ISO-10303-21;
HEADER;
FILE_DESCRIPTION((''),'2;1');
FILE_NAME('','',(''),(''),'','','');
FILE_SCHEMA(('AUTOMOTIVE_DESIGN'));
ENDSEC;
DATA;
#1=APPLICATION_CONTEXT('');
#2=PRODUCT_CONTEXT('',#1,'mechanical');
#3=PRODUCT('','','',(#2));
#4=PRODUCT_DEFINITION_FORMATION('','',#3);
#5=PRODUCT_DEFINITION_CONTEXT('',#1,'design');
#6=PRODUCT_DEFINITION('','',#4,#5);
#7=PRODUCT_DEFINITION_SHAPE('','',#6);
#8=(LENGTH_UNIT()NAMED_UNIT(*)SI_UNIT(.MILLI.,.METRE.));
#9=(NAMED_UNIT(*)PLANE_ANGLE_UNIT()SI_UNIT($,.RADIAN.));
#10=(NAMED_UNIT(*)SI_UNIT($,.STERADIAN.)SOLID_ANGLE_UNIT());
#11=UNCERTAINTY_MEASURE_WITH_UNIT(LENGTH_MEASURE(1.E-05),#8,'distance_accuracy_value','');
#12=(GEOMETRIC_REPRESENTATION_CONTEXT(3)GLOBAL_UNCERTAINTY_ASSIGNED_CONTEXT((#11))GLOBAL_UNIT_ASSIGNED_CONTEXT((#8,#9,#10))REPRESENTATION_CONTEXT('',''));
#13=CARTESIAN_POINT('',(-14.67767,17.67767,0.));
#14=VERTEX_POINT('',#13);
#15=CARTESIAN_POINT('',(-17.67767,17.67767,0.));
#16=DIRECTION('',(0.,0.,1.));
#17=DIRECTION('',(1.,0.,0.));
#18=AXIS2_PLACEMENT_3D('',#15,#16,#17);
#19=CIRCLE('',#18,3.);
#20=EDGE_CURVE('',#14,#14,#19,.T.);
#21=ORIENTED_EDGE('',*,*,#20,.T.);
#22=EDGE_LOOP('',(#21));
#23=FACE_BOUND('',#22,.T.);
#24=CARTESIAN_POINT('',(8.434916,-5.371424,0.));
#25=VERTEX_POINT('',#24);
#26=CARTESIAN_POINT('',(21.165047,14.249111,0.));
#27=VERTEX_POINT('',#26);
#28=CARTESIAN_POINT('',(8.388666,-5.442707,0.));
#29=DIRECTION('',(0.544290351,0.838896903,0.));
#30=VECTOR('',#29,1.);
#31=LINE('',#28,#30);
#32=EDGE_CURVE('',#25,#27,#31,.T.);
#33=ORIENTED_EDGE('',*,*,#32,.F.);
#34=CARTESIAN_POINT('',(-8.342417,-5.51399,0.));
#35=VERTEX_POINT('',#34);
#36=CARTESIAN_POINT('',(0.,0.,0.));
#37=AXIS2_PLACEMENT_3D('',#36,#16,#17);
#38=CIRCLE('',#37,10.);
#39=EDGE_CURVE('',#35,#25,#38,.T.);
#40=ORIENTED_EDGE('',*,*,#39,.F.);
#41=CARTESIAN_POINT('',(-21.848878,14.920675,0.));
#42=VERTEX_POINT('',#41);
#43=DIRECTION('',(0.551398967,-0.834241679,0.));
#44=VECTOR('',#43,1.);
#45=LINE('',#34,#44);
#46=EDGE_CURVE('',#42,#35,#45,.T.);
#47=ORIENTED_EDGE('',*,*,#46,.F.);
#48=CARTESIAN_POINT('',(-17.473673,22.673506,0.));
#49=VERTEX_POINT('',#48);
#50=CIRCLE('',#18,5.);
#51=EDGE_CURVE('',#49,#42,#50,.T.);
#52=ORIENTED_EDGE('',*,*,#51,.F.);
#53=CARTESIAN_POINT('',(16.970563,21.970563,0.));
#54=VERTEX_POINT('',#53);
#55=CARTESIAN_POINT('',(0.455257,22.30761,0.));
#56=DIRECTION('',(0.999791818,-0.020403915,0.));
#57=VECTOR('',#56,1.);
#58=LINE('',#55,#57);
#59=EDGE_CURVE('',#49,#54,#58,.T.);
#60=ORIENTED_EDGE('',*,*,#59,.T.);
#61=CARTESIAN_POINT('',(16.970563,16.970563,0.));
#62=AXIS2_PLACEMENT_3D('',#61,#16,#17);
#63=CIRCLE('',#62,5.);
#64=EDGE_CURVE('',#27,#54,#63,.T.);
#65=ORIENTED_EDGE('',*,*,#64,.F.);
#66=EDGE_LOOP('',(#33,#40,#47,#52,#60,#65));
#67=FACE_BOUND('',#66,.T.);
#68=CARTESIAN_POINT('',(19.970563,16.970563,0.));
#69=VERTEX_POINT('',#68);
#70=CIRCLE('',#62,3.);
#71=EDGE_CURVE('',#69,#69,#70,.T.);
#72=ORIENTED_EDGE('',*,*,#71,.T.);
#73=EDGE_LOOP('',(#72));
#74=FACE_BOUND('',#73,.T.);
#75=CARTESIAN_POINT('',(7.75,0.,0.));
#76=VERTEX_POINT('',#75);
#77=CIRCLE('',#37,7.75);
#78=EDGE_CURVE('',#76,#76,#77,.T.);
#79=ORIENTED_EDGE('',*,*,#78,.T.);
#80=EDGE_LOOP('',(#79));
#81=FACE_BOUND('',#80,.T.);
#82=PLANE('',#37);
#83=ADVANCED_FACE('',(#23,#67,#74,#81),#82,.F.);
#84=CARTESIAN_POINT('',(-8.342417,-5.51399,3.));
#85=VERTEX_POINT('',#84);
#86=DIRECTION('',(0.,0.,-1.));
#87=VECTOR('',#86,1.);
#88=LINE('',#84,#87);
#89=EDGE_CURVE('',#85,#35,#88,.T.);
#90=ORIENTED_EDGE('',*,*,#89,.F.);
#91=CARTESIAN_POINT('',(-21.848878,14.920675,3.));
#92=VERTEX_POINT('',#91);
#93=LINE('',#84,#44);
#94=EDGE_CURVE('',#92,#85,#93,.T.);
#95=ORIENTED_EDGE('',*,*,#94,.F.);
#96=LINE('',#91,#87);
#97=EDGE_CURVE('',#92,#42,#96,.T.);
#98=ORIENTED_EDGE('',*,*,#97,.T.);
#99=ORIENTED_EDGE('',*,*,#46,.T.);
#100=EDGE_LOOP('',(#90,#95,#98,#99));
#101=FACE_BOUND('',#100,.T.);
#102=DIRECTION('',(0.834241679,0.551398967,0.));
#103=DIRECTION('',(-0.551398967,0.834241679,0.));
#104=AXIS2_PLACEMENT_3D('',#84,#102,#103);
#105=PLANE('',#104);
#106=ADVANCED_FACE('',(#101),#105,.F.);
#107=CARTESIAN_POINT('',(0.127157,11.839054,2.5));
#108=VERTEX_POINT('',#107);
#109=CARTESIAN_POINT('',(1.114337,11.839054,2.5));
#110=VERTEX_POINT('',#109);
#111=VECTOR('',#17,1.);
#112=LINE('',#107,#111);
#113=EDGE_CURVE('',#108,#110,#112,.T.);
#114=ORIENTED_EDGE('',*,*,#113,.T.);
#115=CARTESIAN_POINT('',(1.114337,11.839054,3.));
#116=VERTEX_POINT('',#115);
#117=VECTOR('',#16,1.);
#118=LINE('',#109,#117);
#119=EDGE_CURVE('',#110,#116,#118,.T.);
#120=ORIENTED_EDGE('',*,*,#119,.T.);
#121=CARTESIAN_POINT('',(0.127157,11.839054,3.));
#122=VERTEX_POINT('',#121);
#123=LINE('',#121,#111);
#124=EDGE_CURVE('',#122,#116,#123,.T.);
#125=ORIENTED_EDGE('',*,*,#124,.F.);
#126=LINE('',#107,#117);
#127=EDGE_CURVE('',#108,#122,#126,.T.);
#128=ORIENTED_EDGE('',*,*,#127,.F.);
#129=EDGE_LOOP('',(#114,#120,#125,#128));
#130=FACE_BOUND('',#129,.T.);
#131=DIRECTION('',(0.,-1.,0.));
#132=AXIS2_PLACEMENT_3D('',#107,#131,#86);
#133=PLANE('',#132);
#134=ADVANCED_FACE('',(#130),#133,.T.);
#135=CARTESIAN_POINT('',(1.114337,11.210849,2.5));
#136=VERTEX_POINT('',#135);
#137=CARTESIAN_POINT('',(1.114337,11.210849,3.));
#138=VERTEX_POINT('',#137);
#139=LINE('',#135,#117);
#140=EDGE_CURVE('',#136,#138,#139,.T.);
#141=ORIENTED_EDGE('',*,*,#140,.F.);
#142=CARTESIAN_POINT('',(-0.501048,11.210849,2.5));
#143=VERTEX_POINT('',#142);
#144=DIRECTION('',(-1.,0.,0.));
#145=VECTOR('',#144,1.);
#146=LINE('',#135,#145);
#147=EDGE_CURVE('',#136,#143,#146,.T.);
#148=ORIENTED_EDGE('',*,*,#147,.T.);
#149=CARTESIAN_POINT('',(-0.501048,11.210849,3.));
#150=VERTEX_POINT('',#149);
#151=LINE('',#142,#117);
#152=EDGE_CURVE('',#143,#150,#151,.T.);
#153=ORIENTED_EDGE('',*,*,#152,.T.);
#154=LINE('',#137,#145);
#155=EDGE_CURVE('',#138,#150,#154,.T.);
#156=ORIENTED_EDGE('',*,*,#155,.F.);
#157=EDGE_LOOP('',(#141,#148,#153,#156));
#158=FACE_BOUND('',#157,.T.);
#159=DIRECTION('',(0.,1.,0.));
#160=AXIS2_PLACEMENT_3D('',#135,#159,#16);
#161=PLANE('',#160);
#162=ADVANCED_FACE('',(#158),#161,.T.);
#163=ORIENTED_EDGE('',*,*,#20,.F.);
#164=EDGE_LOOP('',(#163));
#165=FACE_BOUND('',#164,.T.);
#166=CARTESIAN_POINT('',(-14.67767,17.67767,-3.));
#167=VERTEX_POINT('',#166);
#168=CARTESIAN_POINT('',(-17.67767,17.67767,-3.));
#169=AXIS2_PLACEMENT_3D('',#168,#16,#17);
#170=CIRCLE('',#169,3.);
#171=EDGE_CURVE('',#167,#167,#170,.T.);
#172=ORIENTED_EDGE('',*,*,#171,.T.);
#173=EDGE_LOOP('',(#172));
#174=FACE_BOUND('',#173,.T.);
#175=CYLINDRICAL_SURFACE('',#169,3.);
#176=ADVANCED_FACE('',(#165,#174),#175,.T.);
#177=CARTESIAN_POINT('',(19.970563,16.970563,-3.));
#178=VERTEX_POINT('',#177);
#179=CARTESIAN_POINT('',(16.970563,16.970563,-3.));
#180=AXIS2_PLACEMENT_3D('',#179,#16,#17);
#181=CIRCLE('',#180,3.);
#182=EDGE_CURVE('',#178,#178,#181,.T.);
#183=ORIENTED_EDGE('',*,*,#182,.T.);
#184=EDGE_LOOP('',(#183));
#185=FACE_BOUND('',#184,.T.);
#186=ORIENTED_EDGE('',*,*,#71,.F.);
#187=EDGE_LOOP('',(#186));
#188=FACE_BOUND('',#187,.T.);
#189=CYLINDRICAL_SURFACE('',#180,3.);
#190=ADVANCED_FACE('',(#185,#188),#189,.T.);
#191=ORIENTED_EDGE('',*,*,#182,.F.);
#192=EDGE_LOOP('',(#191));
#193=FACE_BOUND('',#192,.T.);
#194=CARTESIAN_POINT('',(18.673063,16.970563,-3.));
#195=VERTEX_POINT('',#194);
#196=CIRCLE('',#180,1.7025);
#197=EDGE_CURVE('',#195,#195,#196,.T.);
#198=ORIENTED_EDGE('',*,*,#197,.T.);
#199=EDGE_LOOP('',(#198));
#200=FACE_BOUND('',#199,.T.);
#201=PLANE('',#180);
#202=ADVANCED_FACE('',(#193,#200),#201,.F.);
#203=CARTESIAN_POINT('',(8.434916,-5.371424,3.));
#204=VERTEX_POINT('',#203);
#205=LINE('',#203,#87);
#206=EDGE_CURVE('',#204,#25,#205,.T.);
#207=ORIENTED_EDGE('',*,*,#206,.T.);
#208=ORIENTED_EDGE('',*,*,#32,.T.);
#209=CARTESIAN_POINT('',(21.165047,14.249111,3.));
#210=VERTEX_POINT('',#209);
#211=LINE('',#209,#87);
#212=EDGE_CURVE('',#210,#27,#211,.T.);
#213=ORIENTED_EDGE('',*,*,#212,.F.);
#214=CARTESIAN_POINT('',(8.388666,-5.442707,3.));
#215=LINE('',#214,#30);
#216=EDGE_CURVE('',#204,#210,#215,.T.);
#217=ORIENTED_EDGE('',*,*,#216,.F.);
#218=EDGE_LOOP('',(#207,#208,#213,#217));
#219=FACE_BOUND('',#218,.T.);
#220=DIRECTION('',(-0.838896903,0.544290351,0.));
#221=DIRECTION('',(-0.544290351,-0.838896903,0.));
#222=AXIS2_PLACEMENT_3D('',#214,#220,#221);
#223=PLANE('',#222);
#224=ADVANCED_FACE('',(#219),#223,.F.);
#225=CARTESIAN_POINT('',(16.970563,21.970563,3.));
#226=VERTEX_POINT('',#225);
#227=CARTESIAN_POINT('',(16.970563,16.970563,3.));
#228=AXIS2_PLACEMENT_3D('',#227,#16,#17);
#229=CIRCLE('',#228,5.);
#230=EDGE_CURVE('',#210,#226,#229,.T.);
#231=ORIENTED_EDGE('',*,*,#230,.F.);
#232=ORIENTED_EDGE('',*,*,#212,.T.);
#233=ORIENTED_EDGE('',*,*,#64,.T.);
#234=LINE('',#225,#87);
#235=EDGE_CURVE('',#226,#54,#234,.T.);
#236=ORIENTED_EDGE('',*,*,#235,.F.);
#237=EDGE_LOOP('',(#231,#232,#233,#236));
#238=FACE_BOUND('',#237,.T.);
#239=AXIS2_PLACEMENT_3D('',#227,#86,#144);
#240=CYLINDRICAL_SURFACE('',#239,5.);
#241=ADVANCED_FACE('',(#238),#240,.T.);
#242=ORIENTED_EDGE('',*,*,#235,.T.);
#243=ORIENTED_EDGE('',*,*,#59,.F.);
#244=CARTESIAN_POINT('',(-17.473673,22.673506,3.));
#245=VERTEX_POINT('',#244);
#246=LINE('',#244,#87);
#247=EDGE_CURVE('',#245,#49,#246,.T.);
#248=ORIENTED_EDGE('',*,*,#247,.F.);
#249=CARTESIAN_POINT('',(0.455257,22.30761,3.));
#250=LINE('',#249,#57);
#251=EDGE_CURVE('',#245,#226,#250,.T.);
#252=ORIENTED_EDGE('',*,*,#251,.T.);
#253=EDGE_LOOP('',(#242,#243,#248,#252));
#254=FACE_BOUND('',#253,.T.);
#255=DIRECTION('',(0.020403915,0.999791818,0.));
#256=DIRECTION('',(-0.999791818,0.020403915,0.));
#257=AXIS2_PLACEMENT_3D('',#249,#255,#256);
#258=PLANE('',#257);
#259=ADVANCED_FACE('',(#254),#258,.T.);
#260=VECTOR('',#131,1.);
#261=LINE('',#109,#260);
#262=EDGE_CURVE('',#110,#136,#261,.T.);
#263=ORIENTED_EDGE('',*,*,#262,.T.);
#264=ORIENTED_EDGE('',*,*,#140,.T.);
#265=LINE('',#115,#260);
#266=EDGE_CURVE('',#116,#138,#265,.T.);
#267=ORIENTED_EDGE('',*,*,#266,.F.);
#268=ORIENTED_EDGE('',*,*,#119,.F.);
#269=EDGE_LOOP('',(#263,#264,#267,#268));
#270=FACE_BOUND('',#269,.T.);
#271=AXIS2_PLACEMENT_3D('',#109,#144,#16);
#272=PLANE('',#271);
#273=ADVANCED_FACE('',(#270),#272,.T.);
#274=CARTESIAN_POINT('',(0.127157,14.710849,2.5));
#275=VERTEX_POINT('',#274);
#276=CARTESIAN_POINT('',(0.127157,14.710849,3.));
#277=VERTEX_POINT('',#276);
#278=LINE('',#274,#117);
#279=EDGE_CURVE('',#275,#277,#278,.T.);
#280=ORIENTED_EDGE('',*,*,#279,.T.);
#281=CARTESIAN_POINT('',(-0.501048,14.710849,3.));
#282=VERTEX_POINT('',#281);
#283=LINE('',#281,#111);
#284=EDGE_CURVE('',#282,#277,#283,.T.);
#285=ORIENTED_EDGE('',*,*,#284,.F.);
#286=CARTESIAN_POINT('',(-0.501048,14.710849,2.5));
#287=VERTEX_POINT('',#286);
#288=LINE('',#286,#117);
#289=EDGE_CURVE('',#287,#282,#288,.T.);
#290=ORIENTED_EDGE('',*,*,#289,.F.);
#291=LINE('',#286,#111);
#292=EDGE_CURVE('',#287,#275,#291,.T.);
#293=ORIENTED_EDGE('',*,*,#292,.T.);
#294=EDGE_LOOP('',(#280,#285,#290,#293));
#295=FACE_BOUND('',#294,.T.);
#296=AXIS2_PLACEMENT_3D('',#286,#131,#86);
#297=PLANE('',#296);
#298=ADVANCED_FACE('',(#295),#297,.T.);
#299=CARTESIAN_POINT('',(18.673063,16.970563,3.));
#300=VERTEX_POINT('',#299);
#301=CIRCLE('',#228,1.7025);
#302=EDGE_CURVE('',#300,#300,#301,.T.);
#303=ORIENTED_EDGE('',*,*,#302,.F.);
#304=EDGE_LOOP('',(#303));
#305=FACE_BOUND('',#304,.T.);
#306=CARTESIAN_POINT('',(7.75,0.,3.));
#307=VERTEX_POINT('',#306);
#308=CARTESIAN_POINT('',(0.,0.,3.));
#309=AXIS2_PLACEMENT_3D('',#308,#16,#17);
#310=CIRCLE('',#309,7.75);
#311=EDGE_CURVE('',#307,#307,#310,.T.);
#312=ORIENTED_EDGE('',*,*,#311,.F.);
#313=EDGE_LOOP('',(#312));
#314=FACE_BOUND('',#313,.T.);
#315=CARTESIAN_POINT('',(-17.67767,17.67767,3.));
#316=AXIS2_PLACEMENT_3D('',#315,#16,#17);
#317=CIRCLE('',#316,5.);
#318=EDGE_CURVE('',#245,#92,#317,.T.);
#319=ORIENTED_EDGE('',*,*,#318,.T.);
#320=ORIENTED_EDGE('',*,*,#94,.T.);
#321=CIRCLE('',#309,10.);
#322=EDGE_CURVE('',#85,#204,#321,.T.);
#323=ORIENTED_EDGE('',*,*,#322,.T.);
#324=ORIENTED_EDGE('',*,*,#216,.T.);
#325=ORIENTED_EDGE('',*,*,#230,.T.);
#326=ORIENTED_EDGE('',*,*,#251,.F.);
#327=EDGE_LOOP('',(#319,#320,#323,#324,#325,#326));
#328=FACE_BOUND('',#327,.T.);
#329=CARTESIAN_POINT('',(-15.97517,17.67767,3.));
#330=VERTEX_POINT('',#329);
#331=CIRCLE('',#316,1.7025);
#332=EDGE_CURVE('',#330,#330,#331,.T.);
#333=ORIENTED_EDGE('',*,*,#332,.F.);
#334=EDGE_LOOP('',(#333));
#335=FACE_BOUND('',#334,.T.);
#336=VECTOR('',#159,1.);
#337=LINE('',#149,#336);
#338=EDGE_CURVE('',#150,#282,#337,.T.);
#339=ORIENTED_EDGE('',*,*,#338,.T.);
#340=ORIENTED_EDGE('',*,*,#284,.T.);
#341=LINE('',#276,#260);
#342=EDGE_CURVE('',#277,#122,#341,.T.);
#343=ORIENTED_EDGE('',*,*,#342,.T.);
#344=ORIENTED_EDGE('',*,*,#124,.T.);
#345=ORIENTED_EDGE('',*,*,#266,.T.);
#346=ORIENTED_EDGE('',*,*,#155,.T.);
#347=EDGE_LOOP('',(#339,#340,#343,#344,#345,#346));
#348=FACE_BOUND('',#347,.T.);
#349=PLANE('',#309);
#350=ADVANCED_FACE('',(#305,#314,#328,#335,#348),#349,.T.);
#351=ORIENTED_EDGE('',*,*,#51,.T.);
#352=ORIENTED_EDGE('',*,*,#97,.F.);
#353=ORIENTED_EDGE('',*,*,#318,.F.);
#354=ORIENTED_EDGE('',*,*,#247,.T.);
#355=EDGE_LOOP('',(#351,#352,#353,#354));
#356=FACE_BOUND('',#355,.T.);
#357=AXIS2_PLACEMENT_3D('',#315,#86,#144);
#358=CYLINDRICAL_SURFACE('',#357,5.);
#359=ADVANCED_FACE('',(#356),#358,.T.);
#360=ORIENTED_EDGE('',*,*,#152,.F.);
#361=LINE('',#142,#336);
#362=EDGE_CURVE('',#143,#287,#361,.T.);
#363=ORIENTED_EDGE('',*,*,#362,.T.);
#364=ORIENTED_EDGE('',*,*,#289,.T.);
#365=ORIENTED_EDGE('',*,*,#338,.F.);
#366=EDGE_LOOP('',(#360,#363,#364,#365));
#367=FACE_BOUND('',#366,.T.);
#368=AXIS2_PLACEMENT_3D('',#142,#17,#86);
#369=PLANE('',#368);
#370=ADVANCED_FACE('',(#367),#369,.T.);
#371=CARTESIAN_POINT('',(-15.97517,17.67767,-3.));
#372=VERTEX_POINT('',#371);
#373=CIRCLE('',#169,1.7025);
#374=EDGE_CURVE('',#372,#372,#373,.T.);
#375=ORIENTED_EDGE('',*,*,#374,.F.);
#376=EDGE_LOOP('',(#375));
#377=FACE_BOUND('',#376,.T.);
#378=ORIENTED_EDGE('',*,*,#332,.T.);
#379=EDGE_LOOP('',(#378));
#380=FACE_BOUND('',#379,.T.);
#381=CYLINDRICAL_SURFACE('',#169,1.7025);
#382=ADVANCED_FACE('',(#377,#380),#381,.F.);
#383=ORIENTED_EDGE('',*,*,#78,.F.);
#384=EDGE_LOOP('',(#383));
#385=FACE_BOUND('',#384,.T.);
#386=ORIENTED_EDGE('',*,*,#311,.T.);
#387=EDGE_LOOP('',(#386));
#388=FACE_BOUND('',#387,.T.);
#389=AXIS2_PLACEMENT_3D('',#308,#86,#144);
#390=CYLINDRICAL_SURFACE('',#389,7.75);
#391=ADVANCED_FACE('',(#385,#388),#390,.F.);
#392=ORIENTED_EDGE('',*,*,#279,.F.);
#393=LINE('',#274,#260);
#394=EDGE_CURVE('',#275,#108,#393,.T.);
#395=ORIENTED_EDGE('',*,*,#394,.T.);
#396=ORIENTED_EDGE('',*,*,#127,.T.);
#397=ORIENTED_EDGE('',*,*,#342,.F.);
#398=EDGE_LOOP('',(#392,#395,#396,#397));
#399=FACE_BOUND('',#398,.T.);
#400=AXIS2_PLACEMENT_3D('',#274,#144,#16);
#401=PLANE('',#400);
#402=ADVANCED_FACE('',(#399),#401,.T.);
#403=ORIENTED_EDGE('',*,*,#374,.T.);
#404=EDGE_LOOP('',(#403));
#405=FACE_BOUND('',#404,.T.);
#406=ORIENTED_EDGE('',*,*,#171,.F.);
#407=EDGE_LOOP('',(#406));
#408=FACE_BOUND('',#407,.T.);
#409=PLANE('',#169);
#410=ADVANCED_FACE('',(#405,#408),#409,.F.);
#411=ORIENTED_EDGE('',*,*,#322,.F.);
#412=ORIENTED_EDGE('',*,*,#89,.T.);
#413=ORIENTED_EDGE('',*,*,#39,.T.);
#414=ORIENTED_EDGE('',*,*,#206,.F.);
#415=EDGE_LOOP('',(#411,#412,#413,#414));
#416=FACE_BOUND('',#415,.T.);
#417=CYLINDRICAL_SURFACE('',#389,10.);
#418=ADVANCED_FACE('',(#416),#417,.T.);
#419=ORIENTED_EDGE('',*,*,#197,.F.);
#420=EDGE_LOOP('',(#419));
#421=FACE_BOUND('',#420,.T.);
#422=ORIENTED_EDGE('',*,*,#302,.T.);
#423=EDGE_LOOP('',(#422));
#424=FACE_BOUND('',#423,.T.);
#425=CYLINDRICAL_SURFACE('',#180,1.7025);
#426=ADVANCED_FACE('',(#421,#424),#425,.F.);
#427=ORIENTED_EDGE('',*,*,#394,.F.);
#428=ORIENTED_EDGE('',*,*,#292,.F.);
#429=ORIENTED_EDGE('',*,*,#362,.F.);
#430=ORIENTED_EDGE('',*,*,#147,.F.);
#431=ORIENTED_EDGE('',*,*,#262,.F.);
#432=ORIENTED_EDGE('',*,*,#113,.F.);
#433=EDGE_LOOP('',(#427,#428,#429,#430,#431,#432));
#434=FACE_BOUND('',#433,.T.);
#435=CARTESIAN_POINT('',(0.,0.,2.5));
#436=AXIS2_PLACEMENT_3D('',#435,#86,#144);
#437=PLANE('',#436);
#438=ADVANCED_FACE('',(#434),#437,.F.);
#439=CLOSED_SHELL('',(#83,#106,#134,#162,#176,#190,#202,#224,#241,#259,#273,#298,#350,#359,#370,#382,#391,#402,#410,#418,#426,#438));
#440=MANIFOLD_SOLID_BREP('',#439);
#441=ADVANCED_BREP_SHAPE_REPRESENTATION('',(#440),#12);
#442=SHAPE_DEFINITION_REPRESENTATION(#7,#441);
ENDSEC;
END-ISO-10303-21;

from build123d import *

# Parameters (mm, degrees)
SKETCH1_R           = 7.75
SKETCH1_R_2         = 3
BOSS_EXTRUDE3_DEPTH = 3
BOSS_EXTRUDE4_START = -6
SKETCH3_R           = 3
SKETCH3_R_2         = 1.7025
BOSS_EXTRUDE4_DEPTH = 6
CUT_EXTRUDE1_DEPTH  = 0.5


with BuildPart() as part:
    # Sketch1 → Boss-Extrude3 (new body)
    with BuildSketch(Plane.XY):
        with BuildLine():
            Line((8.434915556, -5.371424351), (21.165047264, 14.249110995))
            ThreePointArc((21.165047264, 14.249110995), (21.364152327, 19.357269814), (16.970562748, 21.970562748))
            Line((16.970562748, 21.970562748), (-17.47367286, 22.673506332))
            ThreePointArc((-17.47367286, 22.673506332), (-22.032126076, 20.135047844), (-21.848877926, 14.920674696))
            Line((-21.848877926, 14.920674696), (-8.342416793, -5.513989668))
            ThreePointArc((-8.342416793, -5.513989668), (0.084971894, -9.999638982), (8.434915556, -5.371424351))
        make_face()
        Circle(SKETCH1_R, mode=Mode.SUBTRACT)
        with Locations((-17.67766953, 17.67766953)):
            Circle(SKETCH1_R_2, mode=Mode.SUBTRACT)
        with Locations((16.970562748, 16.970562748)):
            Circle(SKETCH1_R_2, mode=Mode.SUBTRACT)
    extrude(amount=BOSS_EXTRUDE3_DEPTH)

    # Sketch3 → Boss-Extrude4 (add)
    # profile 1 of 2: a face of its own
    with BuildSketch(Plane.XY.offset(3).offset(BOSS_EXTRUDE4_START)):
        with Locations((-17.67766953, 17.67766953)):
            Circle(SKETCH3_R)
        with Locations((-17.67766953, 17.67766953)):
            Circle(SKETCH3_R_2, mode=Mode.SUBTRACT)
    # profile 2 of 2: a face of its own
    with BuildSketch(Plane.XY.offset(3).offset(BOSS_EXTRUDE4_START)):
        with Locations((16.970562748, 16.970562748)):
            Circle(SKETCH3_R)
        with Locations((16.970562748, 16.970562748)):
            Circle(SKETCH3_R_2, mode=Mode.SUBTRACT)
    extrude(amount=BOSS_EXTRUDE4_DEPTH)

    # Sketch4 → Cut-Extrude1 (cut)
    with BuildSketch(Plane.XY.offset(3)):
        Polygon((-0.501047916, 14.710849075), (0.127157212, 14.710849075), (0.127157212, 11.839054203), (1.1143367, 11.839054203), (1.1143367, 11.210849075), (-0.501047916, 11.210849075), align=None)
    extrude(amount=-CUT_EXTRUDE1_DEPTH, mode=Mode.SUBTRACT)


solid = part.part
